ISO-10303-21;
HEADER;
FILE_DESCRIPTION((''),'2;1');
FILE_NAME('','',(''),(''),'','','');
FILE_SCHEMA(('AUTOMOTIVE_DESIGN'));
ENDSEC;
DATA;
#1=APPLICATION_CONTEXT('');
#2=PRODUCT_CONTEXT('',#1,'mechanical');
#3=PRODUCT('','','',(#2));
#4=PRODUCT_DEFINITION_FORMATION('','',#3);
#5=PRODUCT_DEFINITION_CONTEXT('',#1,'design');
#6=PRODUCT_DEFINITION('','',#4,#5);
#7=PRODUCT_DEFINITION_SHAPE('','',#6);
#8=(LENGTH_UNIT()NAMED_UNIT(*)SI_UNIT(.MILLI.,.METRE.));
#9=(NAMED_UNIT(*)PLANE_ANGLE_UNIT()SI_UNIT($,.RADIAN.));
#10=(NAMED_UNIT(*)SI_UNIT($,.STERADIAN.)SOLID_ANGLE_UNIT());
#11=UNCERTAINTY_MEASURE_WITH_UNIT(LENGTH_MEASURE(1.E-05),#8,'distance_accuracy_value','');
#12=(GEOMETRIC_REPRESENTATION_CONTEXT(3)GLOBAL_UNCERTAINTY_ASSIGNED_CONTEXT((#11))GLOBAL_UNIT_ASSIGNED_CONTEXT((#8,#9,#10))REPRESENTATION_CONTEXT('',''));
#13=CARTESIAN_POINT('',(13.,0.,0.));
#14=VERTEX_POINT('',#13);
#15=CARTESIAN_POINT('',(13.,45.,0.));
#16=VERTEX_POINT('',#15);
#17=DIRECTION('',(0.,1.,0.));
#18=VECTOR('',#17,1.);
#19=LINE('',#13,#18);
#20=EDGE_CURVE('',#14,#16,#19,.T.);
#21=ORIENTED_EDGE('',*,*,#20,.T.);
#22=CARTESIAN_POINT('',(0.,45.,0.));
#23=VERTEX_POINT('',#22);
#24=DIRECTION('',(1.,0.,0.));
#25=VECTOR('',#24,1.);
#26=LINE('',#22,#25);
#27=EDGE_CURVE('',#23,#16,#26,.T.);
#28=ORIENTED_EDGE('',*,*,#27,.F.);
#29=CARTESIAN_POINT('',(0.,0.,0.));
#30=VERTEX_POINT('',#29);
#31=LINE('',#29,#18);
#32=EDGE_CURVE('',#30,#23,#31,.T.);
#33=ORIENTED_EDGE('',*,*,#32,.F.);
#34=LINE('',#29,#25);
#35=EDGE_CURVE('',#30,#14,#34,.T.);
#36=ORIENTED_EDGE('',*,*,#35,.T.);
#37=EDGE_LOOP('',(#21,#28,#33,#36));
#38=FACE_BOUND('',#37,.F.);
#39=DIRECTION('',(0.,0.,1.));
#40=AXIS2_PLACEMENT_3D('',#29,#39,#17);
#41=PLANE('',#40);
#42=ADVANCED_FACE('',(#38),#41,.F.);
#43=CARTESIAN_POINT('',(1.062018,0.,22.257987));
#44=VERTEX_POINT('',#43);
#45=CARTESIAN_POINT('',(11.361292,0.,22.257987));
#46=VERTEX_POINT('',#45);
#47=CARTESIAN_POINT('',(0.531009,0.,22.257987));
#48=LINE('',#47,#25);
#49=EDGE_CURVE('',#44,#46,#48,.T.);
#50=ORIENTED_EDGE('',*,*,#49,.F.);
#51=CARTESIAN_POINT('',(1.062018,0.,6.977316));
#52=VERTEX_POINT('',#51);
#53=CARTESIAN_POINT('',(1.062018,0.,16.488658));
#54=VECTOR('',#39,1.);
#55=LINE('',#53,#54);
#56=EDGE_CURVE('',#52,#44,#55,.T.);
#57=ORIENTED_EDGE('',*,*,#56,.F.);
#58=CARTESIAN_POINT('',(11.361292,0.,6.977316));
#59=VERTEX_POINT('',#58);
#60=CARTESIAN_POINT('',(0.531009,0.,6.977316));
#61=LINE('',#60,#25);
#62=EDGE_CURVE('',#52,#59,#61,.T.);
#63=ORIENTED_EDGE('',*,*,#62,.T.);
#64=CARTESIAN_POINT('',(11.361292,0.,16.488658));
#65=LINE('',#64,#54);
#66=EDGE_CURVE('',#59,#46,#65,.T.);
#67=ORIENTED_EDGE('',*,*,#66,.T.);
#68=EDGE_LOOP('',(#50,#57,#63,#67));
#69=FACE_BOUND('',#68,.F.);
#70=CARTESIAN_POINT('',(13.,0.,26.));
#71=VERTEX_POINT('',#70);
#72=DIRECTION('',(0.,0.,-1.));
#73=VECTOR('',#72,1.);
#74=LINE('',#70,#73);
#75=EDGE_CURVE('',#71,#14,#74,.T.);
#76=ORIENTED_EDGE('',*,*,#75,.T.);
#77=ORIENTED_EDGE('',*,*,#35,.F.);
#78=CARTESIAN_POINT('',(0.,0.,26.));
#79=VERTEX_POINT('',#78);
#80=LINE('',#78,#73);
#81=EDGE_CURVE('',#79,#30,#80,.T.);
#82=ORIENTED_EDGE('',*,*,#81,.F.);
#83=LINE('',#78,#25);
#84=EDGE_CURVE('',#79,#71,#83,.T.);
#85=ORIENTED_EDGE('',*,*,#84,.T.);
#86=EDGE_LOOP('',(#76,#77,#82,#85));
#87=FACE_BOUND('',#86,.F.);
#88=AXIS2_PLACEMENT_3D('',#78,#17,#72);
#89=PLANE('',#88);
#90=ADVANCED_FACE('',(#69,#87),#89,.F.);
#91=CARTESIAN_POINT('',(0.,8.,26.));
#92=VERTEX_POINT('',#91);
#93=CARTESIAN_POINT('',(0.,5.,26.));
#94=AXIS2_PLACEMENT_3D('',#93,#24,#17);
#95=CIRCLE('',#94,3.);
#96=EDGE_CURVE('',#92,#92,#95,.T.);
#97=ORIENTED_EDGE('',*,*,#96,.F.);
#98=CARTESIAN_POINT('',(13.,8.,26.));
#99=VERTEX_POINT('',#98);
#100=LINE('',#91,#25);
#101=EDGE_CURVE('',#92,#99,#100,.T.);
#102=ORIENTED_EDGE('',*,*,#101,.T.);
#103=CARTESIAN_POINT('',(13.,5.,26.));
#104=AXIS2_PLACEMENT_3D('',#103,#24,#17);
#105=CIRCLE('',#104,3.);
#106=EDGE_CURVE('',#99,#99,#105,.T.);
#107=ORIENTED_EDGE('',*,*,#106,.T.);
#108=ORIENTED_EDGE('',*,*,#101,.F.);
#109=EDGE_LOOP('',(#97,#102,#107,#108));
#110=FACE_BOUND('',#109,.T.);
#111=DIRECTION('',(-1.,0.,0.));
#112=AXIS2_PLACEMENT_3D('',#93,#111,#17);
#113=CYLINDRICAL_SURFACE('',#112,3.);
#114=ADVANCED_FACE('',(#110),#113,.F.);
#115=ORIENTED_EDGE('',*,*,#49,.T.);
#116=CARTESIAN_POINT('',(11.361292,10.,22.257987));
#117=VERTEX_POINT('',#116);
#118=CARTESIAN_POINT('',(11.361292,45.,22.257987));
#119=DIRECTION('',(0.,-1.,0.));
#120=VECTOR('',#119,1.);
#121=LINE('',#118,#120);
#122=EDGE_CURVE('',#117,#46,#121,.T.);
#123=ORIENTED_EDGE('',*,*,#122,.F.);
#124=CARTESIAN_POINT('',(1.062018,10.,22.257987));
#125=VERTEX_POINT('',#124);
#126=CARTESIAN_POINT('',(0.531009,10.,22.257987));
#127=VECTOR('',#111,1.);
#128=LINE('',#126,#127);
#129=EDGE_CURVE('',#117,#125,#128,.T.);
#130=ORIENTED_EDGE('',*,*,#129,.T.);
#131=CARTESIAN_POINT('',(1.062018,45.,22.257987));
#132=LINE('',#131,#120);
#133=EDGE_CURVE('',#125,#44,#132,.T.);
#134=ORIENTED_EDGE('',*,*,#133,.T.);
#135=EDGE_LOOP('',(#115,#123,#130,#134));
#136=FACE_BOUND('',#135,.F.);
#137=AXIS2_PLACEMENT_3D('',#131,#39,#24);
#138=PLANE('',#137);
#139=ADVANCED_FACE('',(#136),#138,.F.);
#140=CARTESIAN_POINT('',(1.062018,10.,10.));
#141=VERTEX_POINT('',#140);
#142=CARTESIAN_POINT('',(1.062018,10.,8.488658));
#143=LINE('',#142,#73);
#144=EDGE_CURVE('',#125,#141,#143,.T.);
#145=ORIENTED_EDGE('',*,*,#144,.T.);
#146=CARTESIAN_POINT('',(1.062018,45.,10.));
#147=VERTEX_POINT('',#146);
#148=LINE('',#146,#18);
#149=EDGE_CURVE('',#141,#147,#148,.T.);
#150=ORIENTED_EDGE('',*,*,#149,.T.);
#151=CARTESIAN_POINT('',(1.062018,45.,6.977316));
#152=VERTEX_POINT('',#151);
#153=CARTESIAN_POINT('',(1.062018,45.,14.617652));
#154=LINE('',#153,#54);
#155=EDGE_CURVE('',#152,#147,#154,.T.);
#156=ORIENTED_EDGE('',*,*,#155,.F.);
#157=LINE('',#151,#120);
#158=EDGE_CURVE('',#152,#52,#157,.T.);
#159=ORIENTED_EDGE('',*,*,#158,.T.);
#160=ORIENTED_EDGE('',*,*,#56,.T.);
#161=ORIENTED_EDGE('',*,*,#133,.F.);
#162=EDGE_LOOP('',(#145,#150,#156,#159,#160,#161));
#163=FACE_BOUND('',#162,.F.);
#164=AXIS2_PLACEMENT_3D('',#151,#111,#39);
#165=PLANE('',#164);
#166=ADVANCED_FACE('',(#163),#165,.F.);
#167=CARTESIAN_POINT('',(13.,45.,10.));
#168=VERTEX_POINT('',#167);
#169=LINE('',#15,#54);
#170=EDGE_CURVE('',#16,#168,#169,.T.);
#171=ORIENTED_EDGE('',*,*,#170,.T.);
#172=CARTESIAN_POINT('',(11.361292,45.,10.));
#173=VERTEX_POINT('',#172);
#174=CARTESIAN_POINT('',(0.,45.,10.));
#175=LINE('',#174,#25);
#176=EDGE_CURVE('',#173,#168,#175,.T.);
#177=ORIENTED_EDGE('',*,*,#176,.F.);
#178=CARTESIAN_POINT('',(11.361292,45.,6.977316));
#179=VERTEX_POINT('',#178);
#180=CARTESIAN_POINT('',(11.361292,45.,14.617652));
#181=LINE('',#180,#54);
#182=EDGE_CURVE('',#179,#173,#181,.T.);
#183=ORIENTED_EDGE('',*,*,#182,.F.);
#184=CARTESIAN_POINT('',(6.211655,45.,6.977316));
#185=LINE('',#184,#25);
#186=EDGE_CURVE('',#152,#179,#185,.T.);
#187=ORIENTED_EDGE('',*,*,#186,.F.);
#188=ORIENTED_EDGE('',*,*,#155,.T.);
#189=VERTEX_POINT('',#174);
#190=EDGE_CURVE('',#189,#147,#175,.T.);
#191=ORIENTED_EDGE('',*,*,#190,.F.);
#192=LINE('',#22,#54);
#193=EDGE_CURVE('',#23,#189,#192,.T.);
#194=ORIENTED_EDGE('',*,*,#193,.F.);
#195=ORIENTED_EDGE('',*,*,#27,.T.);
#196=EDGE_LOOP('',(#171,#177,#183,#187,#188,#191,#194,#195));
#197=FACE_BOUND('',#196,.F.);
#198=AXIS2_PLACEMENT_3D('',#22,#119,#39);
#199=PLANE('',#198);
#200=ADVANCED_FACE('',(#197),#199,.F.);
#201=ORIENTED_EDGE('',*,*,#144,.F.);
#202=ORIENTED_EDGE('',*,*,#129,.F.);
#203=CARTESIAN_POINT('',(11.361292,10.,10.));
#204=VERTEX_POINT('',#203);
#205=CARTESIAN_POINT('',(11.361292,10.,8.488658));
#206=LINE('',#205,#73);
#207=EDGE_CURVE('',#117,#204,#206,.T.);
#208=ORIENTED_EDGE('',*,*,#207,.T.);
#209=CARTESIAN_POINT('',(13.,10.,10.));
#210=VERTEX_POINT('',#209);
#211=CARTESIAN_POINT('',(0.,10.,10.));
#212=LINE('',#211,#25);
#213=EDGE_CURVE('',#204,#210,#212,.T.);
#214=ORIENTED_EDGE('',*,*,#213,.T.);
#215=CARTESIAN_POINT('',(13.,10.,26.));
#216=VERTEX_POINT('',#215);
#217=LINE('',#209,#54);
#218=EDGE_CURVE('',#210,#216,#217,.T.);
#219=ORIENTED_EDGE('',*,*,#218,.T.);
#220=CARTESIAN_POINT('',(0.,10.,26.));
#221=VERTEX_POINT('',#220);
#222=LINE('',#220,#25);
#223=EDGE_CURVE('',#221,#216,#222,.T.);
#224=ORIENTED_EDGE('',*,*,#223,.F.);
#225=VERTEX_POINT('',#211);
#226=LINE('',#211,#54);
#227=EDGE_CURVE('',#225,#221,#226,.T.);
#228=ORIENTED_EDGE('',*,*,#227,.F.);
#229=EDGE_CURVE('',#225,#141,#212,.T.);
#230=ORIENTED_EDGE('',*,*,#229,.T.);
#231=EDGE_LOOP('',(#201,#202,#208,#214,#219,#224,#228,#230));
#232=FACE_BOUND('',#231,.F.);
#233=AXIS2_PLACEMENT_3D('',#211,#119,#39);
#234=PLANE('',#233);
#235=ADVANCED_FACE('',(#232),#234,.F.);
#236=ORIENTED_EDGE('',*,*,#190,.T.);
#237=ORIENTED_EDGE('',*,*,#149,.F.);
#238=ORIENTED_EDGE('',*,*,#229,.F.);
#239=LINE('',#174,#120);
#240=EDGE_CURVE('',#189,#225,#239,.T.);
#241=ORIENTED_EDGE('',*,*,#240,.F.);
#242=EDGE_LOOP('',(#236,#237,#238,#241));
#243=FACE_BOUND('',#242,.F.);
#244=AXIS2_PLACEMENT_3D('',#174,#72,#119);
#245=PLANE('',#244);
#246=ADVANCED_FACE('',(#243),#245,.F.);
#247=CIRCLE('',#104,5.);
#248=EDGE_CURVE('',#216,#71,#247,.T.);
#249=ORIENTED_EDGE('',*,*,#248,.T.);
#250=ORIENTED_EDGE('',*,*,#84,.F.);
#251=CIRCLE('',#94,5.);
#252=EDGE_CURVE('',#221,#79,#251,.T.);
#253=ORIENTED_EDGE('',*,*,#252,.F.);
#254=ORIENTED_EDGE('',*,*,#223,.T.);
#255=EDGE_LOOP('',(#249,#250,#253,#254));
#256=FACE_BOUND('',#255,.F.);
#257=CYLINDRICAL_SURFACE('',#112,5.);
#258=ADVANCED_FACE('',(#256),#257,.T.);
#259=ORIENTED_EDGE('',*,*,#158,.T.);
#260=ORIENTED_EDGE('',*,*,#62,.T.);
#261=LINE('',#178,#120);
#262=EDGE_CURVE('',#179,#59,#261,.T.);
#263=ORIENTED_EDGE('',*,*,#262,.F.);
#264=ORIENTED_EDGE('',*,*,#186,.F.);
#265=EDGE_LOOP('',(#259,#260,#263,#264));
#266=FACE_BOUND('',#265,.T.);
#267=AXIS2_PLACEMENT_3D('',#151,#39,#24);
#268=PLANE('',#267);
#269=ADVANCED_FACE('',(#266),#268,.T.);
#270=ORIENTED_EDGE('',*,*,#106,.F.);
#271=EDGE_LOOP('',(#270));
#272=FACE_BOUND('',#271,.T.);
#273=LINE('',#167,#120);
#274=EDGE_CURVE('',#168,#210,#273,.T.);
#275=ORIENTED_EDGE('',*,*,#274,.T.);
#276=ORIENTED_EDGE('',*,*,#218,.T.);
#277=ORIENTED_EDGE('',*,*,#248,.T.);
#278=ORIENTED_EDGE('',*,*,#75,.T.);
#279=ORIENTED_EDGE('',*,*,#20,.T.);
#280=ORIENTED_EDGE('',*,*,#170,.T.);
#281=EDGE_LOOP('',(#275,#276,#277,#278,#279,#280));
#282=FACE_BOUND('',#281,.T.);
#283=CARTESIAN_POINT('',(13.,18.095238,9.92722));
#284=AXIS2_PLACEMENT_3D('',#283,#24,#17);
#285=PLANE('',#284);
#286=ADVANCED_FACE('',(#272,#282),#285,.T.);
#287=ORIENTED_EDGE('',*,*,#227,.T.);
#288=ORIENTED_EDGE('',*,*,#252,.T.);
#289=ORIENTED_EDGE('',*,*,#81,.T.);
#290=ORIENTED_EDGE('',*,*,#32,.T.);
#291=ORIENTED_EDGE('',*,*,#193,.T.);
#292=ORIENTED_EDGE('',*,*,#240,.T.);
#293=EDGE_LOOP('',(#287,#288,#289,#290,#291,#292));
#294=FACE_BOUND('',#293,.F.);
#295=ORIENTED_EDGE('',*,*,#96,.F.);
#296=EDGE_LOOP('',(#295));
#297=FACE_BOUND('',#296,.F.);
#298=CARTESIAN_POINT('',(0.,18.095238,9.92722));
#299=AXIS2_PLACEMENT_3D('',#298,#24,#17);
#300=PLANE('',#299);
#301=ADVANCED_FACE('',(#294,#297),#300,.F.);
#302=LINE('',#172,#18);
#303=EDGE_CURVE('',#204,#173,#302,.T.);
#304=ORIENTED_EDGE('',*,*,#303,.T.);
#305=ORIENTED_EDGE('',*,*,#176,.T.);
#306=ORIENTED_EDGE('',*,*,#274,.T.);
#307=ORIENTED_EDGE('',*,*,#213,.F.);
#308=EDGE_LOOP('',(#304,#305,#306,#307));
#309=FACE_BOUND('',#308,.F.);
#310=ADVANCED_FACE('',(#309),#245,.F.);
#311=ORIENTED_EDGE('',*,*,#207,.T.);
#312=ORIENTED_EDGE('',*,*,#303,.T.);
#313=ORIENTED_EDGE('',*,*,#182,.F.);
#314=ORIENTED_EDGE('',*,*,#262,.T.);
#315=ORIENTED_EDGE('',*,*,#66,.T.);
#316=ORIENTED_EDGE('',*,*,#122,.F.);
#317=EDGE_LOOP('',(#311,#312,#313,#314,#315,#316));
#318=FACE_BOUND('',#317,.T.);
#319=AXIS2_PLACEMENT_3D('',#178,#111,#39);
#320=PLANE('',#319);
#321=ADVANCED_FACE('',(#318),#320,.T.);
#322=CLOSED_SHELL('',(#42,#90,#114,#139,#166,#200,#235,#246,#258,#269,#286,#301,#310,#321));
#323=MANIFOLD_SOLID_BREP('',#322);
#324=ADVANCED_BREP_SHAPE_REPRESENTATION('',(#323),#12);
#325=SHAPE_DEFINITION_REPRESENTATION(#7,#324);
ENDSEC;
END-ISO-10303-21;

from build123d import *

# Parameters (mm, degrees)
SKETCH_R     = 3
PAD_DEPTH    = 13
SKETCH001_W  = 15.280671
SKETCH001_H  = 10.299273
POCKET_DEPTH = 46


with BuildPart() as part:
    # Sketch → Pad (new body)
    with BuildSketch(Plane.YZ):
        with BuildLine():
            Line((0, 0), (45, 0))
            Line((45, 0), (45, 10))
            Line((45, 10), (20, 10))
            Line((20, 10), (10, 10))
            Line((10, 10), (10, 26))
            ThreePointArc((10, 26), (5, 31), (0, 26))
            Line((0, 26), (0, 0))
        make_face()
        with Locations((5, 26)):
            Circle(SKETCH_R, mode=Mode.SUBTRACT)
    extrude(amount=PAD_DEPTH)

    # Sketch001 (on DatumPlane) → Pocket (cut)
    with BuildSketch(Plane.ZX.offset(45)):
        with Locations((14.617652, 6.211655)):
            Rectangle(SKETCH001_W, SKETCH001_H)
    extrude(amount=-POCKET_DEPTH, mode=Mode.SUBTRACT)


solid = part.part
